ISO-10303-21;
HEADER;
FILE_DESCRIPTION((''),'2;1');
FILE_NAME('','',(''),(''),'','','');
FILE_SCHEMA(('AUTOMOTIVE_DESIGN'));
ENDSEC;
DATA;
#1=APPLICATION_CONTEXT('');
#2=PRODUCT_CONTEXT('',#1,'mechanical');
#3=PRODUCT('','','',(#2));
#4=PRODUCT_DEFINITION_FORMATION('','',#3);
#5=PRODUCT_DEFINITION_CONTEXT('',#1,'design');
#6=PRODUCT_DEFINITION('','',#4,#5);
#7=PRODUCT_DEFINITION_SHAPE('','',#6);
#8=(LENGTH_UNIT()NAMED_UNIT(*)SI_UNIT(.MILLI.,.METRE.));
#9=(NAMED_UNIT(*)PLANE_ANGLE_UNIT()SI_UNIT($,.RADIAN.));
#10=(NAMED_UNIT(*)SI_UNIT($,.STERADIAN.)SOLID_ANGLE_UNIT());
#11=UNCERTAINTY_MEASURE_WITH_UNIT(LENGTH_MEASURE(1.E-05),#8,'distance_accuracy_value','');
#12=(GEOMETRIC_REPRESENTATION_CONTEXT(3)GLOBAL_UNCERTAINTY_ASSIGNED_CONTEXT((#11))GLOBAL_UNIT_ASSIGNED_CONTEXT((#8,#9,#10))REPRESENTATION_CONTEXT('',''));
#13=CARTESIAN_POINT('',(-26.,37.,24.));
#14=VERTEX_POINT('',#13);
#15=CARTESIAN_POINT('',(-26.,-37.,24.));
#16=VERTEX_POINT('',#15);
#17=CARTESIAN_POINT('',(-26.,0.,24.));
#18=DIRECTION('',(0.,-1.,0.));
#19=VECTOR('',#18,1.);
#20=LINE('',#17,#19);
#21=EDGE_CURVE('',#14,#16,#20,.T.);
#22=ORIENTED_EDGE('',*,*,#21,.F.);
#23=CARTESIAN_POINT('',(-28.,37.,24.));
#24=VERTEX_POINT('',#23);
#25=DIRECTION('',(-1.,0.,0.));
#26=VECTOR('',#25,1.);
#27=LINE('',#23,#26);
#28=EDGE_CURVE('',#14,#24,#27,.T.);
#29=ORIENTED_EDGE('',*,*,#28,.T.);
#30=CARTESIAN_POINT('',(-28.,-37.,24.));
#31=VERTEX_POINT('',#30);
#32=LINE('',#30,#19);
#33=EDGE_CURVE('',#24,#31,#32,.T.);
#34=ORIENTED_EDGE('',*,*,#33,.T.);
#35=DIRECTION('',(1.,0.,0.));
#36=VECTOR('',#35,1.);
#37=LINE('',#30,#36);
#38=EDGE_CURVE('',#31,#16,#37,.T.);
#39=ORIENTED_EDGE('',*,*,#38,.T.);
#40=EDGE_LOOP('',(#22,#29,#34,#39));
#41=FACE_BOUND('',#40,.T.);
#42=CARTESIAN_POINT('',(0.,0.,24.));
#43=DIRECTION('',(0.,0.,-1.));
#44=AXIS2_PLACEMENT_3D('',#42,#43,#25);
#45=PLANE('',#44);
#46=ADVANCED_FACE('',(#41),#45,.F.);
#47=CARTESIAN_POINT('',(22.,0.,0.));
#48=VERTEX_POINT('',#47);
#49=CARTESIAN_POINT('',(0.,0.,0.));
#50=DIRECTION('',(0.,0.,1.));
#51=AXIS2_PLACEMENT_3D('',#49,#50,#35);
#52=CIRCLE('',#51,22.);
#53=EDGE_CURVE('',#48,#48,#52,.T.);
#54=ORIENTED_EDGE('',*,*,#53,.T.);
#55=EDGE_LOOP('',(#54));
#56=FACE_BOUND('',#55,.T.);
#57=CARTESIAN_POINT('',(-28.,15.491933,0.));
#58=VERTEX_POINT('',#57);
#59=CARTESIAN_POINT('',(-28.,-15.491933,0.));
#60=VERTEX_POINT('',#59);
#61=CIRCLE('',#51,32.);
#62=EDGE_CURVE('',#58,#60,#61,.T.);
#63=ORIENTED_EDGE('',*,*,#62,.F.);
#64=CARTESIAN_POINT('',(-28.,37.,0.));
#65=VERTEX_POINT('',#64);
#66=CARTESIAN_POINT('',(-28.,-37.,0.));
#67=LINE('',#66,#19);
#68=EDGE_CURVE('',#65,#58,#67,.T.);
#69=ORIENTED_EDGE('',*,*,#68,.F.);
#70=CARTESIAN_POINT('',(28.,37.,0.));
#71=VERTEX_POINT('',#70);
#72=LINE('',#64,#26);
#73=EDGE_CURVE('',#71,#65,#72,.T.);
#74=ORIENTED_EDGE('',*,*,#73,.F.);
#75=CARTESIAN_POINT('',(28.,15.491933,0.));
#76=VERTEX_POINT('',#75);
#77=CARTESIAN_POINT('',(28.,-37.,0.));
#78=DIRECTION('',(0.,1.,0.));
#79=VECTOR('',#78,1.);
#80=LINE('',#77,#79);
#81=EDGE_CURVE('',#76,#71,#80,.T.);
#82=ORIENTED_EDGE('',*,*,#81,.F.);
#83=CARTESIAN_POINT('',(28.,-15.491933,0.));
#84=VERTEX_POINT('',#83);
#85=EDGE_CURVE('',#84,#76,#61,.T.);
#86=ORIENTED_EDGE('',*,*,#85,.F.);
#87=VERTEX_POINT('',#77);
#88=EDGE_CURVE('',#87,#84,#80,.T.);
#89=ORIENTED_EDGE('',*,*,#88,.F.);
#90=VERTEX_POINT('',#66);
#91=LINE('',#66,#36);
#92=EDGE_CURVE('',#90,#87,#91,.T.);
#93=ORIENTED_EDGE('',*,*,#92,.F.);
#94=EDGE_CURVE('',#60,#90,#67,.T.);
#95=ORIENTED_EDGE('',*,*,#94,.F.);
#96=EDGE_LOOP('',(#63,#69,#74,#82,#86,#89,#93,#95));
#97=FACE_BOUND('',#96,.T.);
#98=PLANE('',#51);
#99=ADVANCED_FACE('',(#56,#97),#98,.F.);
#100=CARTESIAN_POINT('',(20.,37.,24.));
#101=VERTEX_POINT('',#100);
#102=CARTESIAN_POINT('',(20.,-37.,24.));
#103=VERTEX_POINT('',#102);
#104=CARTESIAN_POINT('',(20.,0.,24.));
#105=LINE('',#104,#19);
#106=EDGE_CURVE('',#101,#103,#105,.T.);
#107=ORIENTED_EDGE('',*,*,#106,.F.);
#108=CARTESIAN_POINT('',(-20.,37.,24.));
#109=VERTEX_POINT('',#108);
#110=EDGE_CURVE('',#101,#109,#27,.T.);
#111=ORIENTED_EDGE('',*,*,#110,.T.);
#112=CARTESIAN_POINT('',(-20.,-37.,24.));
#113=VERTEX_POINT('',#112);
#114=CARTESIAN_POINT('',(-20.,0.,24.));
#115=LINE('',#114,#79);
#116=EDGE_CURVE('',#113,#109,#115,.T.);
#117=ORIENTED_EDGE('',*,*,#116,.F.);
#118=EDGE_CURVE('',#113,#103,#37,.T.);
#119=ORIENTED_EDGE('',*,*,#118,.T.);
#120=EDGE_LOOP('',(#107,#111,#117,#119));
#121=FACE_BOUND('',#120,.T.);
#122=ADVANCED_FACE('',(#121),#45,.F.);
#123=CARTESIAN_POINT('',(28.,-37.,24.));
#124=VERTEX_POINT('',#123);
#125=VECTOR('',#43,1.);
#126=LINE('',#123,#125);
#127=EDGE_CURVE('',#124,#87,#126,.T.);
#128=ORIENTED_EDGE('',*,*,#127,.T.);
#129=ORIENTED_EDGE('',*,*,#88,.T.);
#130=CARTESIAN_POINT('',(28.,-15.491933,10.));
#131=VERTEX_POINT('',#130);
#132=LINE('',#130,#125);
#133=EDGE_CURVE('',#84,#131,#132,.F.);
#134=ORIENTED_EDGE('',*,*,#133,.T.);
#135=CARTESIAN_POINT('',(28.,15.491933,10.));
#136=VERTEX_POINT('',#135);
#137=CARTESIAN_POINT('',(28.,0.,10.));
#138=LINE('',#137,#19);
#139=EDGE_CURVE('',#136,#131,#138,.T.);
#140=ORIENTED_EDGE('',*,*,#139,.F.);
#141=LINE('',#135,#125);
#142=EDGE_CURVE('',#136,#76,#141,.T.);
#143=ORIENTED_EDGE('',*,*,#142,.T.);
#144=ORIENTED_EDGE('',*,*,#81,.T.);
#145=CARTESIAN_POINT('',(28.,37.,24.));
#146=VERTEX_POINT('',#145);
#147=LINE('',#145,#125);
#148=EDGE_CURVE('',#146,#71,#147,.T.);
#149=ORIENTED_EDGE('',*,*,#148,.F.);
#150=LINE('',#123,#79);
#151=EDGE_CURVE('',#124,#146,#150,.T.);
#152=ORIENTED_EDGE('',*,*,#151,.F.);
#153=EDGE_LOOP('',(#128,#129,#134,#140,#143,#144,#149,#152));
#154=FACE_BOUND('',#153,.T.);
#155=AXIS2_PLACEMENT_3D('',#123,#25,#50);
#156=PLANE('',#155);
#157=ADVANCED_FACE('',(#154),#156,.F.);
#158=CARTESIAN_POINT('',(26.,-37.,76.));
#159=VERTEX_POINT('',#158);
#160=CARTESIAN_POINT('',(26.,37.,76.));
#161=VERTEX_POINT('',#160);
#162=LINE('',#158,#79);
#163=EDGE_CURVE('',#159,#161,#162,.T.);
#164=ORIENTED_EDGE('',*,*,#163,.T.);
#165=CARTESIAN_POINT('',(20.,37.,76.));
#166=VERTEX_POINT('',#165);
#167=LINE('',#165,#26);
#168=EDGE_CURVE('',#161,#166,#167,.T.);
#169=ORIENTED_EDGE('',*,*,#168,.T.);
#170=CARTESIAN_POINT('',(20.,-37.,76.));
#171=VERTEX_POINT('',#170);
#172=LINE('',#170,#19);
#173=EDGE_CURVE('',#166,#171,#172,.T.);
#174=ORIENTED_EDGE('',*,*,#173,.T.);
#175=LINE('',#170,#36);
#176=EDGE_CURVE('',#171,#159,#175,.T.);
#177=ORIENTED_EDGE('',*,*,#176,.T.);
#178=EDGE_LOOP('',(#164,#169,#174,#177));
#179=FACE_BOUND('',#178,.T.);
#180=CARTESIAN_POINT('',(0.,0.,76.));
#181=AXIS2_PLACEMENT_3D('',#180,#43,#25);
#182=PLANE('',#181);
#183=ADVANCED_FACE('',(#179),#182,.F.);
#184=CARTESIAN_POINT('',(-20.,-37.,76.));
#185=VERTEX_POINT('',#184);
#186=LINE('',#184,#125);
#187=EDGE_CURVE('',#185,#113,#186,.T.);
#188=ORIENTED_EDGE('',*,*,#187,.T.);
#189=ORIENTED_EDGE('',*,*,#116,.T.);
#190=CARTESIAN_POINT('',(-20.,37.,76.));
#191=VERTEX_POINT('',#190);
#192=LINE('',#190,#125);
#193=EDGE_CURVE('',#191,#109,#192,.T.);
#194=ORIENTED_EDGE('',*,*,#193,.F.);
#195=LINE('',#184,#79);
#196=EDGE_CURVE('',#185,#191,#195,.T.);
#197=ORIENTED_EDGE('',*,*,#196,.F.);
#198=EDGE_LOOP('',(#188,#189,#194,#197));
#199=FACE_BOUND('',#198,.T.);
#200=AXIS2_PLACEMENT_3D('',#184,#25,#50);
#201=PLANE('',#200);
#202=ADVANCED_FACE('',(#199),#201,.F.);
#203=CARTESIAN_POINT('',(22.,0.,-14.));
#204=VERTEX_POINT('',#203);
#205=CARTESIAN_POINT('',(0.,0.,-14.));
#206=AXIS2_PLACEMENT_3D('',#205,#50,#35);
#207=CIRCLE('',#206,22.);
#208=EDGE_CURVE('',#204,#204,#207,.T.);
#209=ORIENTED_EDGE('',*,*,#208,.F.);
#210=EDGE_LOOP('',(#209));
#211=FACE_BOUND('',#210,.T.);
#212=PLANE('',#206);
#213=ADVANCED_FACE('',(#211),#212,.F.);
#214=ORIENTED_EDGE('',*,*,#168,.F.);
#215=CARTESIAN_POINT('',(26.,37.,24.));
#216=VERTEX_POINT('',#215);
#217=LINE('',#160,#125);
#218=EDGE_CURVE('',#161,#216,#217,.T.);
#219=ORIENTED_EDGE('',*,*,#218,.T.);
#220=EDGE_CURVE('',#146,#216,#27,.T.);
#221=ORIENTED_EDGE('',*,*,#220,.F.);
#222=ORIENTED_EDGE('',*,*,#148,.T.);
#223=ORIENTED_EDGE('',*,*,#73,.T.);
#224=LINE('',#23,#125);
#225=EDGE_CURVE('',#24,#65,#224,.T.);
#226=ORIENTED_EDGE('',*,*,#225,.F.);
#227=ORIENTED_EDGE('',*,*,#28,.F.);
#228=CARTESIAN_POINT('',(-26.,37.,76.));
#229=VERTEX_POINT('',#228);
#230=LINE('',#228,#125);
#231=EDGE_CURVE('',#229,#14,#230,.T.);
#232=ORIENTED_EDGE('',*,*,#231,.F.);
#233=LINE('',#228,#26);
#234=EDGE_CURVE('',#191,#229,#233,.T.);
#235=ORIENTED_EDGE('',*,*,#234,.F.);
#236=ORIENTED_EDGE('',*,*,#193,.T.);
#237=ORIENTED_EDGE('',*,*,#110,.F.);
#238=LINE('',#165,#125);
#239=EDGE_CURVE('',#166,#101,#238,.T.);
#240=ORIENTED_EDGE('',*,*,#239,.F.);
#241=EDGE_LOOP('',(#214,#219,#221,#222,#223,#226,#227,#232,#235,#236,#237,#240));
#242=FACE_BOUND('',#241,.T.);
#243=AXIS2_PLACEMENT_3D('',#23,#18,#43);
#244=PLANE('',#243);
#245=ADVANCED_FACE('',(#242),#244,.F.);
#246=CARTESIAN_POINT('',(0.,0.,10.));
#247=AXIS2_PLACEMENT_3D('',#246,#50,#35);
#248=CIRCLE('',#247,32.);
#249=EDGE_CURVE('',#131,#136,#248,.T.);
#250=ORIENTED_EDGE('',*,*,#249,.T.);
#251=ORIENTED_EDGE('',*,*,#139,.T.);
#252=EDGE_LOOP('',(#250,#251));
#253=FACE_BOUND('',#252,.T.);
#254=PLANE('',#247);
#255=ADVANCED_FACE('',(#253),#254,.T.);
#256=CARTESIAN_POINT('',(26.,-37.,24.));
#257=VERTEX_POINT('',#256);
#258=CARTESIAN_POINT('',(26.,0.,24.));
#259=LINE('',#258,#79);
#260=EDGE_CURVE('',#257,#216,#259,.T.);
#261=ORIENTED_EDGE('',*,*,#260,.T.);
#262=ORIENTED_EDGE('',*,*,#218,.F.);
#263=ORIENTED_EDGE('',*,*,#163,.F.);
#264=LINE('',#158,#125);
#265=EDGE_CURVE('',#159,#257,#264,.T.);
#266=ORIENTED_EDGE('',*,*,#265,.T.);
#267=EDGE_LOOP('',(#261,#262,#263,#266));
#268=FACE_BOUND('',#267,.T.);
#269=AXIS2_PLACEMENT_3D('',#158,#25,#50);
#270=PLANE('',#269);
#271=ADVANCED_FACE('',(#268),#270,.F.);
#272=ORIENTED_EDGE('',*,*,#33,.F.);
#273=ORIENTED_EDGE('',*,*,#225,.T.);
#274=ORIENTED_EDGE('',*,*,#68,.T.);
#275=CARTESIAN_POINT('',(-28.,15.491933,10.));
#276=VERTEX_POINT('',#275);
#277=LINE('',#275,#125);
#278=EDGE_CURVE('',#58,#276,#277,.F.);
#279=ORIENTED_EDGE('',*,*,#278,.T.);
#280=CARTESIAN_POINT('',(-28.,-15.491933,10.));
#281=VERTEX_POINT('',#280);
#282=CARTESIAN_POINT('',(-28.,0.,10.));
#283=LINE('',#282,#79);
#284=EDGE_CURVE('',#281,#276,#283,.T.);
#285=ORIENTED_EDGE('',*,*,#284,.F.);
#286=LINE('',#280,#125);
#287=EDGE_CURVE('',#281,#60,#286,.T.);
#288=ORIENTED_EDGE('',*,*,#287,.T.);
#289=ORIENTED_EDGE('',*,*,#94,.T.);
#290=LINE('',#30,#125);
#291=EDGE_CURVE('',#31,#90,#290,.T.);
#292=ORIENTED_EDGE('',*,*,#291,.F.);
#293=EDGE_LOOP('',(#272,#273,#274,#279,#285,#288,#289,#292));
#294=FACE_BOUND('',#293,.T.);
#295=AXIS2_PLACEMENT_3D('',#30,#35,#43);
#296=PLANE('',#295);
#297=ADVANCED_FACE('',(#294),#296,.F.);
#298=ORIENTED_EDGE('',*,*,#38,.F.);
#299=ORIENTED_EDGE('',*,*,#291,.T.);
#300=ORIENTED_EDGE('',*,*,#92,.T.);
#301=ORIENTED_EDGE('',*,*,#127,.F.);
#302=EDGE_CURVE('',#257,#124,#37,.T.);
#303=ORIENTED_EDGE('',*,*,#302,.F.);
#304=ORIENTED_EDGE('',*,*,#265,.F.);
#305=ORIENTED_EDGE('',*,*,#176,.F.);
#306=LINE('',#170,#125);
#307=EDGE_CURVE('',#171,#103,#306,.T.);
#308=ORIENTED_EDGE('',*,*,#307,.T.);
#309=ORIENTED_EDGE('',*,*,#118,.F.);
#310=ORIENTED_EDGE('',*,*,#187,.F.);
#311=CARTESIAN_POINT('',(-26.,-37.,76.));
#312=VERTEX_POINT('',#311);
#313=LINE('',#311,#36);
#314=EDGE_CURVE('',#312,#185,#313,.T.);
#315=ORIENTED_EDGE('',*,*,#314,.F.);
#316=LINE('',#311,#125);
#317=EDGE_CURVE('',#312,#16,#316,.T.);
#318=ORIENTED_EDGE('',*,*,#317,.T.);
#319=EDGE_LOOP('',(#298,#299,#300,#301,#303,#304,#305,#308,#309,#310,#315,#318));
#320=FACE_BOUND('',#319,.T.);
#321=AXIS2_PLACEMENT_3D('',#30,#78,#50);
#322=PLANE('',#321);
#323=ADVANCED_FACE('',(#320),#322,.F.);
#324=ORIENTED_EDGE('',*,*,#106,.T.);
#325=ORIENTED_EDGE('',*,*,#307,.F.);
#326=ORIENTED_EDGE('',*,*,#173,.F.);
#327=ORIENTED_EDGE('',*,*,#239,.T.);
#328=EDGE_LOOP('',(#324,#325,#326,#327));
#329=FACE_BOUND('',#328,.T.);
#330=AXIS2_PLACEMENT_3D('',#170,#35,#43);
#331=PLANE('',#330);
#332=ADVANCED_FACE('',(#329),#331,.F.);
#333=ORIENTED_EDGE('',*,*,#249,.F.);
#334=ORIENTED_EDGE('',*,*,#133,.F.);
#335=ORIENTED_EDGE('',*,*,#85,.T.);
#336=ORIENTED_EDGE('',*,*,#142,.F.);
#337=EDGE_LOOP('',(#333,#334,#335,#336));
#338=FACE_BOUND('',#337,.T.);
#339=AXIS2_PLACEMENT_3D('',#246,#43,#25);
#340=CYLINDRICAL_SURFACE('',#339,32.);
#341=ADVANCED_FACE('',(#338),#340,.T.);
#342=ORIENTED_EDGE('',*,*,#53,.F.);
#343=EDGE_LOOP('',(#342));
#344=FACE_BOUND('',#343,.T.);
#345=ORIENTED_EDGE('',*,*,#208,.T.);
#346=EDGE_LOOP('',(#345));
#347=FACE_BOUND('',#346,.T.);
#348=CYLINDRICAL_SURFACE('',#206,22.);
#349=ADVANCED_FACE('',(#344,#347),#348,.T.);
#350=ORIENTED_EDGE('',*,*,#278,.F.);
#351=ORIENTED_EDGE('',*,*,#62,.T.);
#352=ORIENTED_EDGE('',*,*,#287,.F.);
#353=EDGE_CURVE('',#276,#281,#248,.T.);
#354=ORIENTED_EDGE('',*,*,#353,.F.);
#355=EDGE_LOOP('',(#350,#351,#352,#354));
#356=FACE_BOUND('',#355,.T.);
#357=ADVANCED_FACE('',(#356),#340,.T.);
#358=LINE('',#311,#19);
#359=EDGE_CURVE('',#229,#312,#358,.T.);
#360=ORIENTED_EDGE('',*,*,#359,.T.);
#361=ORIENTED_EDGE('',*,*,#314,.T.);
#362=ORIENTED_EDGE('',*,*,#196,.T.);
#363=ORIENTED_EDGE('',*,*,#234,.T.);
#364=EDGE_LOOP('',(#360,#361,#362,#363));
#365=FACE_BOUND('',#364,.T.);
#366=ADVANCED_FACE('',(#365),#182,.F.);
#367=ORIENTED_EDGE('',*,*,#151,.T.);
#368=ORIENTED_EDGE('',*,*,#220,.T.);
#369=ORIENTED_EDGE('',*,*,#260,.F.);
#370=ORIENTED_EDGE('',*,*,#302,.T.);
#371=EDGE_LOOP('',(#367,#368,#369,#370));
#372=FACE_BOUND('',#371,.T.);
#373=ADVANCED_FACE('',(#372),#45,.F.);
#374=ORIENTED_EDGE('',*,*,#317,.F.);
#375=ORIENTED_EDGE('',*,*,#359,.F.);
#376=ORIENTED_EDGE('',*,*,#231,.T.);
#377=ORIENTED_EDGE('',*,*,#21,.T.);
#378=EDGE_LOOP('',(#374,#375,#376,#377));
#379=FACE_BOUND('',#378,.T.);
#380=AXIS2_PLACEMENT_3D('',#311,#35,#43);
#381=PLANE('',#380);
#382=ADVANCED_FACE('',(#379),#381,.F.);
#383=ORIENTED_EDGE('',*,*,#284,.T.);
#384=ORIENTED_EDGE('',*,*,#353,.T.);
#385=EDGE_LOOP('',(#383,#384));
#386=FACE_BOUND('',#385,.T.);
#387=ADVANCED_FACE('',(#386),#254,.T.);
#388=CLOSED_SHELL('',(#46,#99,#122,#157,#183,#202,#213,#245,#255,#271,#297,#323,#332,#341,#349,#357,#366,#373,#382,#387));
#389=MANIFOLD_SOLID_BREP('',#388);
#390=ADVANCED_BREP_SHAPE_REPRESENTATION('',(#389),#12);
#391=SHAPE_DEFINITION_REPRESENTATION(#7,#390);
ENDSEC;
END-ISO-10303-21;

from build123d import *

# Parameters (mm, degrees)
SKETCH_1_R      = 22
EXTRUDE_1_DEPTH = 14
SKETCH_2_R      = 32
EXTRUDE_2_DEPTH = 10
SKETCH_3_W      = 56
SKETCH_3_H      = 74
EXTRUDE_3_DEPTH = 24
SKETCH_4_W      = 6
SKETCH_4_H      = 74
EXTRUDE_4_DEPTH = 76


with BuildPart() as part:
    # 草图1 → 凸台-拉伸1 (new body)
    with BuildSketch(Plane.XY):
        Circle(SKETCH_1_R)
    extrude(amount=-EXTRUDE_1_DEPTH)

    # 草图2 → 凸台-拉伸2 (add)
    with BuildSketch(Plane.XY):
        Circle(SKETCH_2_R)
    extrude(amount=EXTRUDE_2_DEPTH)

    # 草图3 → 凸台-拉伸3 (add)
    with BuildSketch(Plane.XY):
        Rectangle(SKETCH_3_W, SKETCH_3_H)
    extrude(amount=EXTRUDE_3_DEPTH)

    # 草图4 → 凸台-拉伸4 (add)
    with BuildSketch(Plane.XY):
        with Locations((23, 0)):
            Rectangle(SKETCH_4_W, SKETCH_4_H)
        with Locations((-23, 0)):
            Rectangle(SKETCH_4_W, SKETCH_4_H)
    extrude(amount=EXTRUDE_4_DEPTH)


solid = part.part
